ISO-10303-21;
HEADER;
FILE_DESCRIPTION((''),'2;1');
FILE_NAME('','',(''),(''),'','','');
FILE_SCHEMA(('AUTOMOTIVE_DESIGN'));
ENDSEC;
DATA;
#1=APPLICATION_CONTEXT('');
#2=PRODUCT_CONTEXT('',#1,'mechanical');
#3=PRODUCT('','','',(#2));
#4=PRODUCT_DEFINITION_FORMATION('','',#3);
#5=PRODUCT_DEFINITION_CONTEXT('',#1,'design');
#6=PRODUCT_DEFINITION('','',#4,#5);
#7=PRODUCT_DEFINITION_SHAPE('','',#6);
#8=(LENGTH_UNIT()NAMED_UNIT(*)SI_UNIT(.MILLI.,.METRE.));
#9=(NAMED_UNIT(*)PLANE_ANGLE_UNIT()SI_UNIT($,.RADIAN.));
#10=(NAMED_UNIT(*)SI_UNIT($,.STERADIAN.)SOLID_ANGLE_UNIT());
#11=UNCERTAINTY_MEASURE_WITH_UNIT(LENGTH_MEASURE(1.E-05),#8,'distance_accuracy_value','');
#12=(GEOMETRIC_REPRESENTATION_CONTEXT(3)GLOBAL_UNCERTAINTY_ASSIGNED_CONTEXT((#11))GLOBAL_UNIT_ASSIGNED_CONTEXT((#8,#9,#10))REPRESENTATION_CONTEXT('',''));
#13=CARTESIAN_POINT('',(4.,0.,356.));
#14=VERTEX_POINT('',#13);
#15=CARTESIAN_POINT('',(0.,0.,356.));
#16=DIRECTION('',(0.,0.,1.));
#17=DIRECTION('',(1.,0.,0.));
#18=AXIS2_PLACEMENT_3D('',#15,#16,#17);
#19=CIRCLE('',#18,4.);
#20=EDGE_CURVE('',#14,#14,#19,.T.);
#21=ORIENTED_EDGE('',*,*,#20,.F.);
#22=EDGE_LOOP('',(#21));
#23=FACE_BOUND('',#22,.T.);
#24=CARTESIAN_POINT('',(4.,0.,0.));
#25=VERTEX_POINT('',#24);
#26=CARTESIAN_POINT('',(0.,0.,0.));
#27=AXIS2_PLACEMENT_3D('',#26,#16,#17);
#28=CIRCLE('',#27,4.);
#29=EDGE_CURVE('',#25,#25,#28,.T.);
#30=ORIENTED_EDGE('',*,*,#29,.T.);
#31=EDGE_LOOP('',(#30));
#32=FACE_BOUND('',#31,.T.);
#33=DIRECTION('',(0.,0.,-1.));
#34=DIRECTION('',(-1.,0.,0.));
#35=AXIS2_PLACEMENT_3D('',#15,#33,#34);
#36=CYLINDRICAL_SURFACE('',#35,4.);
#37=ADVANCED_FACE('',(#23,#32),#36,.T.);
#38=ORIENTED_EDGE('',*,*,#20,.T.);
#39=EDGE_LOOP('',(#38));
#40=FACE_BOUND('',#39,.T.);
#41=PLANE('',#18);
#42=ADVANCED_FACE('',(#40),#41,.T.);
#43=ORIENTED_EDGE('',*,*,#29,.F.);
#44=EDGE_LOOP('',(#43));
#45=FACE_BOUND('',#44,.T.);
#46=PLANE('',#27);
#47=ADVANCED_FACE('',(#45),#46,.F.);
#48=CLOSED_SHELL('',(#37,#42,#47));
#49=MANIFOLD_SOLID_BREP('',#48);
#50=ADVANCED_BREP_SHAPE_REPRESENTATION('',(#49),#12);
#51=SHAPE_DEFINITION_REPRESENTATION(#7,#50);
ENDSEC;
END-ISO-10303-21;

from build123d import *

# Parameters (mm, degrees)
CROQUIS1_R              = 4
SALIENTE_EXTRUIR1_DEPTH = 356


with BuildPart() as part:
    # Croquis1 → Saliente-Extruir1 (new body)
    with BuildSketch(Plane.XY):
        Circle(CROQUIS1_R)
    extrude(amount=SALIENTE_EXTRUIR1_DEPTH)


solid = part.part
